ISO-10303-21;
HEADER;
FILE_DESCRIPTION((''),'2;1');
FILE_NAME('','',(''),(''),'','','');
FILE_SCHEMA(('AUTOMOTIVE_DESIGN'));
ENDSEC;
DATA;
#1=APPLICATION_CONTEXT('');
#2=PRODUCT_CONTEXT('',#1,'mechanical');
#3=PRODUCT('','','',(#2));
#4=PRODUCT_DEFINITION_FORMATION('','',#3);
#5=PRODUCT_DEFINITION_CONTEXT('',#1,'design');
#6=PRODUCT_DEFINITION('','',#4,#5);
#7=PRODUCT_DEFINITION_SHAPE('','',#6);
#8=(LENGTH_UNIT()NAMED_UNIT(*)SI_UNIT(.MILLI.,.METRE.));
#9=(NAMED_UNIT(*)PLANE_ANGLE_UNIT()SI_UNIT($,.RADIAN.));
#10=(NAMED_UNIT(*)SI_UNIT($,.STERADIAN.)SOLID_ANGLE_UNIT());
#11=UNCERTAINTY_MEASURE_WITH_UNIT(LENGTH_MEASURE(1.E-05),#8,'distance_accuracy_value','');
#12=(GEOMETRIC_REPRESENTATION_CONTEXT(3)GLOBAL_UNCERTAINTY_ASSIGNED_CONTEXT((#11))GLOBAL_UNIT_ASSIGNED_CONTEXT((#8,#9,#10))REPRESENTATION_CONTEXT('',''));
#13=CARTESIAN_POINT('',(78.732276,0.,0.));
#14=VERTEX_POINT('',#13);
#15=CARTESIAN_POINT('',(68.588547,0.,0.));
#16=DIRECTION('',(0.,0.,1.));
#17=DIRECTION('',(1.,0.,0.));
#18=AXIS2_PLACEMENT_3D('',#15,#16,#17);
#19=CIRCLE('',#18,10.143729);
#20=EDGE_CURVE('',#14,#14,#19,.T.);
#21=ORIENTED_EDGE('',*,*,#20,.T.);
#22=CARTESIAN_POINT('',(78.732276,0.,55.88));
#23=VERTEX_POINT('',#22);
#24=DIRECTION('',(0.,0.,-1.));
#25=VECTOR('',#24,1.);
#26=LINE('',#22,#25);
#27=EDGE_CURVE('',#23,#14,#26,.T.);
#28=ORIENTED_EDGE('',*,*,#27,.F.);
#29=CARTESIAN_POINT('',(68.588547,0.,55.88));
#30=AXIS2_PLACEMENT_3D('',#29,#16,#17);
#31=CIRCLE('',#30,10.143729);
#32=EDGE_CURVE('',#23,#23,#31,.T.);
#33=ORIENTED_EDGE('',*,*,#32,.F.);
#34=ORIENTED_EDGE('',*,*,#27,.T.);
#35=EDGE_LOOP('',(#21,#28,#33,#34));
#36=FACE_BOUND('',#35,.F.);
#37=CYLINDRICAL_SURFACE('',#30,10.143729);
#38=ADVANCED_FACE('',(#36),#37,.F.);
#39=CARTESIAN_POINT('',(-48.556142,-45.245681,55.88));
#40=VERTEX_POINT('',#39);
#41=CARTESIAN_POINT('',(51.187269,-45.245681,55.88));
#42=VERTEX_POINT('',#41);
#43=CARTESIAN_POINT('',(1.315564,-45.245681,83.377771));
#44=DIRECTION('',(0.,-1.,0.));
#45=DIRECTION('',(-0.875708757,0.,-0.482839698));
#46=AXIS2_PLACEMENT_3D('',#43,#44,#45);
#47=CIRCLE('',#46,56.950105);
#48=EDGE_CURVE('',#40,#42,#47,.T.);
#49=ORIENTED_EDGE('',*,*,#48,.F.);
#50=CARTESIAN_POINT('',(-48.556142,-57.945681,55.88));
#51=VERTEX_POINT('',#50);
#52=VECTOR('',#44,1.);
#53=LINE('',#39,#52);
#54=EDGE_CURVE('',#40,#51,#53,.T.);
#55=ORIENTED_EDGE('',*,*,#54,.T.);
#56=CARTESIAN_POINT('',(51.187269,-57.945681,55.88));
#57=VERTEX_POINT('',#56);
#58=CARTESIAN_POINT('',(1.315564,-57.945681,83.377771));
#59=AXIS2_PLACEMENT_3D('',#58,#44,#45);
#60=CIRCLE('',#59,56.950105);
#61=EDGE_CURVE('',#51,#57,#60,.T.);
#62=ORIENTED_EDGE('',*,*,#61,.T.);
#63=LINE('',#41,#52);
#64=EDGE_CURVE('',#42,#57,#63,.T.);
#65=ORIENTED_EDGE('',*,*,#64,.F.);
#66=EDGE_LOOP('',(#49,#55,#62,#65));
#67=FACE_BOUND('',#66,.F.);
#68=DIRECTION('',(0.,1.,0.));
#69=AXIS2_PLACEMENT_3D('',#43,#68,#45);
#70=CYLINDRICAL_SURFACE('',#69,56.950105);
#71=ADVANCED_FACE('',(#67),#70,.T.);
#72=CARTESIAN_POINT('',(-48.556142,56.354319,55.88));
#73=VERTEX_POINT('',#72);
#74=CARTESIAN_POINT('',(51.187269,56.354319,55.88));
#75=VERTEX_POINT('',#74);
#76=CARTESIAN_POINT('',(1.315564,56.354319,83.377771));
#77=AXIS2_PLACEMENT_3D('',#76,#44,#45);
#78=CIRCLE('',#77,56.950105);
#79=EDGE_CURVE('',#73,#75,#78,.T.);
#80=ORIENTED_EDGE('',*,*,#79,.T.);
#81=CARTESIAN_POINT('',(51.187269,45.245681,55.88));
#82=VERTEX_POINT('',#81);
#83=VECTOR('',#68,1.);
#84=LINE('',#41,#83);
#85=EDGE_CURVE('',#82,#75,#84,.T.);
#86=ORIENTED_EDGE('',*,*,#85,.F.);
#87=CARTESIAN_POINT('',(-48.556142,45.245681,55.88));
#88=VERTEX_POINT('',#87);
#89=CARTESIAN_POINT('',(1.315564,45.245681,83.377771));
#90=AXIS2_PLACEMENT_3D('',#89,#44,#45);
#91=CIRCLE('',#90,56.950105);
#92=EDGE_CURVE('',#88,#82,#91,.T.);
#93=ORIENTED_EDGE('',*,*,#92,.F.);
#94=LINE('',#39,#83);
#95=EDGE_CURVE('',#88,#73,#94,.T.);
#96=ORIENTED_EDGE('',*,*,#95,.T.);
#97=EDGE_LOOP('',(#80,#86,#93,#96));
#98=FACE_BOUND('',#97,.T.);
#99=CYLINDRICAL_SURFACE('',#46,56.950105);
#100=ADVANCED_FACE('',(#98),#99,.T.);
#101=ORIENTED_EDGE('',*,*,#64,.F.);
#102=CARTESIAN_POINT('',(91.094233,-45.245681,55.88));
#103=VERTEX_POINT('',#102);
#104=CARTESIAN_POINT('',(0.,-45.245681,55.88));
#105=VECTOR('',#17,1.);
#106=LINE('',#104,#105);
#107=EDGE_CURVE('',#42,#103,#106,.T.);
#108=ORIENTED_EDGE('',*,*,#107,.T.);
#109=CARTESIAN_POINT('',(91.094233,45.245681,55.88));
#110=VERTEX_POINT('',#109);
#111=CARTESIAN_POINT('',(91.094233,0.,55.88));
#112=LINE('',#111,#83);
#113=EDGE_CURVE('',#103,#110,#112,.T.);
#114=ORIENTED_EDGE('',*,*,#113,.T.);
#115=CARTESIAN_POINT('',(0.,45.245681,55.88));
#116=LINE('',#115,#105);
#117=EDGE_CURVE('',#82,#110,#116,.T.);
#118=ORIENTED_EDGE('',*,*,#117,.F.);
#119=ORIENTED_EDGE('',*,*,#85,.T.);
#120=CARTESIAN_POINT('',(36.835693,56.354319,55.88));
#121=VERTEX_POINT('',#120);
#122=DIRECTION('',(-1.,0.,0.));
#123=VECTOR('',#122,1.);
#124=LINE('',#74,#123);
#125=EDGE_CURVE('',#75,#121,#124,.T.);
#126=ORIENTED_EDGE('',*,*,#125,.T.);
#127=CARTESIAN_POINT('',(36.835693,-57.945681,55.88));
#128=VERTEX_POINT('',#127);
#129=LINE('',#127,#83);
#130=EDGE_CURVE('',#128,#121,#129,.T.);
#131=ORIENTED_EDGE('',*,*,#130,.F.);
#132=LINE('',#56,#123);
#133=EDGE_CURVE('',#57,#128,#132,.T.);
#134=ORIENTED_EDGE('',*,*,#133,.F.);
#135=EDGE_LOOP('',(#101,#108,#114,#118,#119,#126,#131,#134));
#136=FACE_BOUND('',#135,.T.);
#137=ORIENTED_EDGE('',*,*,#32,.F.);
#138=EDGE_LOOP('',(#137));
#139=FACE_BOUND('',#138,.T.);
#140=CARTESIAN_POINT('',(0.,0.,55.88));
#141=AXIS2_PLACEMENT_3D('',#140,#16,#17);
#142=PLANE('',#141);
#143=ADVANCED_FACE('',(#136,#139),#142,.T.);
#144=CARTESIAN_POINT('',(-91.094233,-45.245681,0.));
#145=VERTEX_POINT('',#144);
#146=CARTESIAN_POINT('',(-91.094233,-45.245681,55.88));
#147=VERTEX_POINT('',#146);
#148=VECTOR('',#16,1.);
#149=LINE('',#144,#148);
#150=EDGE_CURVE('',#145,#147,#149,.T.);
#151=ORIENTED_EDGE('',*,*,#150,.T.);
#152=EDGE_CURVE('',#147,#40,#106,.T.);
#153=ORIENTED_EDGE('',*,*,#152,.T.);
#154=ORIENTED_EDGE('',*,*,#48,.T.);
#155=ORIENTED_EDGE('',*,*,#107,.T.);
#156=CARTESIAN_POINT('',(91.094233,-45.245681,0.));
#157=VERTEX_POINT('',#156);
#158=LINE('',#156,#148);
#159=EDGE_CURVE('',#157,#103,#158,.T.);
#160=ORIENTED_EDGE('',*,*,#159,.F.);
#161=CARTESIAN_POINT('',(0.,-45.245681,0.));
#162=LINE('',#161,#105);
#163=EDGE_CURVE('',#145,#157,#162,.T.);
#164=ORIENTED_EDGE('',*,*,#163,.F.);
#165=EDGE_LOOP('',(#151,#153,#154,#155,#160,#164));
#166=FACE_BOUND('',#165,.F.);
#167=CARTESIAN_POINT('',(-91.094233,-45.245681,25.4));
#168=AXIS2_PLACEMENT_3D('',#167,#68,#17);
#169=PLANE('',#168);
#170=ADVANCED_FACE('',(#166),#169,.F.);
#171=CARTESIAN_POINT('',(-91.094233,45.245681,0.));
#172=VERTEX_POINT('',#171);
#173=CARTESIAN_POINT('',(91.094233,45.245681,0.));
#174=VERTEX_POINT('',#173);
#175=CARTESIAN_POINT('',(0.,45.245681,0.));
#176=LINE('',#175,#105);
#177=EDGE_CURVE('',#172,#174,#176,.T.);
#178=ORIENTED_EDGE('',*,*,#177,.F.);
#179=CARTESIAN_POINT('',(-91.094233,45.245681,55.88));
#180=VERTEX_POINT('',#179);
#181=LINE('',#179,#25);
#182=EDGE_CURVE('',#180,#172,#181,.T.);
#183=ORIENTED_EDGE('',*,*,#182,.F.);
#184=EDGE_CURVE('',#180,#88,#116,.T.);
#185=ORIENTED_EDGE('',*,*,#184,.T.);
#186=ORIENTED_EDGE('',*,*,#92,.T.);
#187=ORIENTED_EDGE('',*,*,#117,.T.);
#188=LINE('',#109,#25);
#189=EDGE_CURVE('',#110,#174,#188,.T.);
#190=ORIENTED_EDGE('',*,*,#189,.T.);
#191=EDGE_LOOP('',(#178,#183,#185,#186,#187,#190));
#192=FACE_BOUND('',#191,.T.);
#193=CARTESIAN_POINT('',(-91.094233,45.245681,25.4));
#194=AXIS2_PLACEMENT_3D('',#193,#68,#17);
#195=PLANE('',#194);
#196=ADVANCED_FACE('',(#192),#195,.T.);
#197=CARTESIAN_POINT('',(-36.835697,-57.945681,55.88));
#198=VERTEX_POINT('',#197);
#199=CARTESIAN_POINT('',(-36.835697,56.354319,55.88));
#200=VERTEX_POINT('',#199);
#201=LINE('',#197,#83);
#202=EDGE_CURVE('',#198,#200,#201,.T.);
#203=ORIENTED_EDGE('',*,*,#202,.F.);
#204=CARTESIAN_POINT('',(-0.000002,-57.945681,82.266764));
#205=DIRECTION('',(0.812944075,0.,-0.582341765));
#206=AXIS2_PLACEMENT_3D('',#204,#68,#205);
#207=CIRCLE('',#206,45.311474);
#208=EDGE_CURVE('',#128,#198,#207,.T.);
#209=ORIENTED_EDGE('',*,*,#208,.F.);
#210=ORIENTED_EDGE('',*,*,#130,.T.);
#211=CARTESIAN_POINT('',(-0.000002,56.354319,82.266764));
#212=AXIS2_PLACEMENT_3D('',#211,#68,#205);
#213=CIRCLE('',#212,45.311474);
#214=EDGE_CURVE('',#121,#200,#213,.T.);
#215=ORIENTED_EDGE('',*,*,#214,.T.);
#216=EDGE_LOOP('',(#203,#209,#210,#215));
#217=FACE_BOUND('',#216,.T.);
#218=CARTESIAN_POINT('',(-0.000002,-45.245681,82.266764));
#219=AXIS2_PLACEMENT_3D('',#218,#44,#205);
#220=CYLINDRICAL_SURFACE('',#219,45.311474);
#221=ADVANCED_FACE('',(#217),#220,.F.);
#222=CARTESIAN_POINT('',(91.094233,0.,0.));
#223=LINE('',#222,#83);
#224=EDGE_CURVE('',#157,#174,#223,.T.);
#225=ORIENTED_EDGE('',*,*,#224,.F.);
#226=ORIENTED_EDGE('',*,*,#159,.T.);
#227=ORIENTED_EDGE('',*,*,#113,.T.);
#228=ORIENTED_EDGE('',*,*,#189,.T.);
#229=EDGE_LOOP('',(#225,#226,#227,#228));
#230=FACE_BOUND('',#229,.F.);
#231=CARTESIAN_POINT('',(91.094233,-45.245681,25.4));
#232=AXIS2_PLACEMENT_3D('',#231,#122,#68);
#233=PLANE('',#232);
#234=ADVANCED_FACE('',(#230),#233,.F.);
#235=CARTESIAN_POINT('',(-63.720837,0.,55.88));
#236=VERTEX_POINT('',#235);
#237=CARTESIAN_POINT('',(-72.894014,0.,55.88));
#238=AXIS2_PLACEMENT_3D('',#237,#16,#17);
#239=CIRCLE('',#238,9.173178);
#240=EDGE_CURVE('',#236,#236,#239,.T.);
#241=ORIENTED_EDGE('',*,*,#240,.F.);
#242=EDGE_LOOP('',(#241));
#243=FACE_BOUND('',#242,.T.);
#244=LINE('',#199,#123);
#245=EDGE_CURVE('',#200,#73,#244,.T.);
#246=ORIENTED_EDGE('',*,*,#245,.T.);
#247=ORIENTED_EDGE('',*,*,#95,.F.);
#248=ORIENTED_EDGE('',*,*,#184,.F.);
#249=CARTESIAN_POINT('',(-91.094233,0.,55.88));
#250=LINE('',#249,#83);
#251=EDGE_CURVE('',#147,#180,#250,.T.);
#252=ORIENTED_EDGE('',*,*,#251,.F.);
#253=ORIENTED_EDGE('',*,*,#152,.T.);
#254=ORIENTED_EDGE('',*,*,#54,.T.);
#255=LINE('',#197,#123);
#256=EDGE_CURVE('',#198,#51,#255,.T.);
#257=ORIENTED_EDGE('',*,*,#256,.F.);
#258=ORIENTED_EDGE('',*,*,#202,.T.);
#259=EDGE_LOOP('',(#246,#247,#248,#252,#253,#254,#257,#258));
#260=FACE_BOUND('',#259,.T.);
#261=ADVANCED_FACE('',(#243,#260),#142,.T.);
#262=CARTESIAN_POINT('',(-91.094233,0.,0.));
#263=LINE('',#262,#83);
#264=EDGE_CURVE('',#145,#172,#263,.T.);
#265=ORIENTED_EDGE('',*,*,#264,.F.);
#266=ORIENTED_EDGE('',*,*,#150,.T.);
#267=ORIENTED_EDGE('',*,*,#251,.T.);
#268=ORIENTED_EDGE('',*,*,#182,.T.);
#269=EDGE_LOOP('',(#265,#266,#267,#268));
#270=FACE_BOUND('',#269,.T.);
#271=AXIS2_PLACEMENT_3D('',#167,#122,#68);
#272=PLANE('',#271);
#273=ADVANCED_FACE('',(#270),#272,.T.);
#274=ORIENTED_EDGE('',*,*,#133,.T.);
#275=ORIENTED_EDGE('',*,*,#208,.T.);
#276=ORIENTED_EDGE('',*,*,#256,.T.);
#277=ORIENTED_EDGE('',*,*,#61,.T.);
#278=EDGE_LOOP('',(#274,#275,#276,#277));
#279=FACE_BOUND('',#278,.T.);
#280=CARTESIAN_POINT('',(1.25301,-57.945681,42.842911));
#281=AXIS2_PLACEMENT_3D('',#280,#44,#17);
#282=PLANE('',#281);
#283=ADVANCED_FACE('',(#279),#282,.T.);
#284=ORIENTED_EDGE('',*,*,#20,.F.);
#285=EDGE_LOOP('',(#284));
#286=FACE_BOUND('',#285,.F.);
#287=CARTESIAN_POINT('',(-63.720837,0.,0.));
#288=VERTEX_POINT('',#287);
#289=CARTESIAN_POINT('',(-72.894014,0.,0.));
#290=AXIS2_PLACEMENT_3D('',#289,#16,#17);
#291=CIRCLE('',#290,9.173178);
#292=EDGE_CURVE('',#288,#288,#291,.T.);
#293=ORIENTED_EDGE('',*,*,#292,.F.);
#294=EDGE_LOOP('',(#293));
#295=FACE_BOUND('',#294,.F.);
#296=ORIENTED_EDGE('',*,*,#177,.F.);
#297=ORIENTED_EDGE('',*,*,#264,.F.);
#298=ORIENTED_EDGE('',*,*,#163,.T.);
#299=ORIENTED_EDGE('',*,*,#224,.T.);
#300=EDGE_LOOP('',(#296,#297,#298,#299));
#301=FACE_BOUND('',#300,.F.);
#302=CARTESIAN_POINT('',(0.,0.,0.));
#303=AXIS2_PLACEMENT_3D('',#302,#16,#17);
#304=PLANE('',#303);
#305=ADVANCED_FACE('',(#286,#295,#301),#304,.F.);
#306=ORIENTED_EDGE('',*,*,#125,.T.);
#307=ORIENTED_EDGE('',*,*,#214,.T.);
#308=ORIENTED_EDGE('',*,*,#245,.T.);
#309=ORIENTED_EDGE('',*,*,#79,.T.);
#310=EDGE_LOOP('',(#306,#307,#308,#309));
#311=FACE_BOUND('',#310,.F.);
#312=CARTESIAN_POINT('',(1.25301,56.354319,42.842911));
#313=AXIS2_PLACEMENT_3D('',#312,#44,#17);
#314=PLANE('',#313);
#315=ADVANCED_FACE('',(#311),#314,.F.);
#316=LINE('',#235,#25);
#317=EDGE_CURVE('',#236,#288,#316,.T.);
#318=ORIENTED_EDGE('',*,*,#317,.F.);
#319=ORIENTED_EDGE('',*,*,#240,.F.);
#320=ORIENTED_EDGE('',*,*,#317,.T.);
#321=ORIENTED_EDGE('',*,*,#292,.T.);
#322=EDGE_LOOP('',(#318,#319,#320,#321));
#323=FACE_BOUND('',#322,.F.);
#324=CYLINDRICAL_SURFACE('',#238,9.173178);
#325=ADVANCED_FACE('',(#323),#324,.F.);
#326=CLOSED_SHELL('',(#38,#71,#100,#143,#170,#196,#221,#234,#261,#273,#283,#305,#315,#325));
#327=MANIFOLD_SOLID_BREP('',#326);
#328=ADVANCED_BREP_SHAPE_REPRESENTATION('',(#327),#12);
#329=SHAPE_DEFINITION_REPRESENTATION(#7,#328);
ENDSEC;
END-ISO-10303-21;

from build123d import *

# Parameters (mm, degrees)
F0_W          = 182.1884661913
F0_H          = 90.4913619161
F1_DEPTH      = 25.4
F2_DEPTH      = 30.48
F4_DEPTH      = 12.7
F4_DEPTH_BACK = 101.6
F5_DEPTH      = 101.601
F6_R          = 9.1731778598
F7_DEPTH      = 55.881
F8_R          = 10.143728711
F9_DEPTH      = 55.881


with BuildPart() as f1:
    # F0 (on Top) → F1 (new body)
    with BuildSketch(Plane.XY):
        Rectangle(F0_W, F0_H)
    extrude(amount=F1_DEPTH)

    # F2 (add): a face of the model
    f2_faces = [f1.faces().sort_by_distance(p)[0] for p in [
        (0, 0, 25.4),
    ]]
    extrude(f2_faces, amount=F2_DEPTH)

    # F3 (on face) → F4 (join, two sides)
    with BuildSketch(Plane.XZ.offset(45.245680958)) as f4_sk:
        with BuildLine():
            ThreePointArc((36.8356928229, 55.88), (-1.8626e-06, 36.9552895427), (-36.8356965482, 55.88))
            Line((-36.8356965482, 55.88), (-48.5561415553, 55.88))
            ThreePointArc((-48.5561415553, 55.88), (1.3155639172, 26.427666579), (51.1872693896, 55.88))
            Line((51.1872693896, 55.88), (36.8356928229, 55.88))
        make_face()
    extrude(amount=F4_DEPTH)
    extrude(f4_sk.sketch, amount=-F4_DEPTH_BACK)

    # F5 (cut, through all): a face of the model
    f5_faces = [f1.faces().sort_by_distance(p)[0] for p in [
        (-1.8626e-06, -45.245680958, 48.1558042876),
    ]]
    extrude(f5_faces, amount=-F5_DEPTH, mode=Mode.SUBTRACT)

    # F6 (on face) → F7 (cut, through all)
    with BuildSketch(Plane.XY.offset(55.88)):
        with Locations((-72.8940144181, 0)):
            Circle(F6_R)
    extrude(amount=-F7_DEPTH, mode=Mode.SUBTRACT)

    # F8 (on face) → F9 (cut, through all)
    with BuildSketch(Plane.XY.offset(55.88)):
        with Locations((68.5885474086, 0)):
            Circle(F8_R)
    extrude(amount=-F9_DEPTH, mode=Mode.SUBTRACT)


solid = f1.part
